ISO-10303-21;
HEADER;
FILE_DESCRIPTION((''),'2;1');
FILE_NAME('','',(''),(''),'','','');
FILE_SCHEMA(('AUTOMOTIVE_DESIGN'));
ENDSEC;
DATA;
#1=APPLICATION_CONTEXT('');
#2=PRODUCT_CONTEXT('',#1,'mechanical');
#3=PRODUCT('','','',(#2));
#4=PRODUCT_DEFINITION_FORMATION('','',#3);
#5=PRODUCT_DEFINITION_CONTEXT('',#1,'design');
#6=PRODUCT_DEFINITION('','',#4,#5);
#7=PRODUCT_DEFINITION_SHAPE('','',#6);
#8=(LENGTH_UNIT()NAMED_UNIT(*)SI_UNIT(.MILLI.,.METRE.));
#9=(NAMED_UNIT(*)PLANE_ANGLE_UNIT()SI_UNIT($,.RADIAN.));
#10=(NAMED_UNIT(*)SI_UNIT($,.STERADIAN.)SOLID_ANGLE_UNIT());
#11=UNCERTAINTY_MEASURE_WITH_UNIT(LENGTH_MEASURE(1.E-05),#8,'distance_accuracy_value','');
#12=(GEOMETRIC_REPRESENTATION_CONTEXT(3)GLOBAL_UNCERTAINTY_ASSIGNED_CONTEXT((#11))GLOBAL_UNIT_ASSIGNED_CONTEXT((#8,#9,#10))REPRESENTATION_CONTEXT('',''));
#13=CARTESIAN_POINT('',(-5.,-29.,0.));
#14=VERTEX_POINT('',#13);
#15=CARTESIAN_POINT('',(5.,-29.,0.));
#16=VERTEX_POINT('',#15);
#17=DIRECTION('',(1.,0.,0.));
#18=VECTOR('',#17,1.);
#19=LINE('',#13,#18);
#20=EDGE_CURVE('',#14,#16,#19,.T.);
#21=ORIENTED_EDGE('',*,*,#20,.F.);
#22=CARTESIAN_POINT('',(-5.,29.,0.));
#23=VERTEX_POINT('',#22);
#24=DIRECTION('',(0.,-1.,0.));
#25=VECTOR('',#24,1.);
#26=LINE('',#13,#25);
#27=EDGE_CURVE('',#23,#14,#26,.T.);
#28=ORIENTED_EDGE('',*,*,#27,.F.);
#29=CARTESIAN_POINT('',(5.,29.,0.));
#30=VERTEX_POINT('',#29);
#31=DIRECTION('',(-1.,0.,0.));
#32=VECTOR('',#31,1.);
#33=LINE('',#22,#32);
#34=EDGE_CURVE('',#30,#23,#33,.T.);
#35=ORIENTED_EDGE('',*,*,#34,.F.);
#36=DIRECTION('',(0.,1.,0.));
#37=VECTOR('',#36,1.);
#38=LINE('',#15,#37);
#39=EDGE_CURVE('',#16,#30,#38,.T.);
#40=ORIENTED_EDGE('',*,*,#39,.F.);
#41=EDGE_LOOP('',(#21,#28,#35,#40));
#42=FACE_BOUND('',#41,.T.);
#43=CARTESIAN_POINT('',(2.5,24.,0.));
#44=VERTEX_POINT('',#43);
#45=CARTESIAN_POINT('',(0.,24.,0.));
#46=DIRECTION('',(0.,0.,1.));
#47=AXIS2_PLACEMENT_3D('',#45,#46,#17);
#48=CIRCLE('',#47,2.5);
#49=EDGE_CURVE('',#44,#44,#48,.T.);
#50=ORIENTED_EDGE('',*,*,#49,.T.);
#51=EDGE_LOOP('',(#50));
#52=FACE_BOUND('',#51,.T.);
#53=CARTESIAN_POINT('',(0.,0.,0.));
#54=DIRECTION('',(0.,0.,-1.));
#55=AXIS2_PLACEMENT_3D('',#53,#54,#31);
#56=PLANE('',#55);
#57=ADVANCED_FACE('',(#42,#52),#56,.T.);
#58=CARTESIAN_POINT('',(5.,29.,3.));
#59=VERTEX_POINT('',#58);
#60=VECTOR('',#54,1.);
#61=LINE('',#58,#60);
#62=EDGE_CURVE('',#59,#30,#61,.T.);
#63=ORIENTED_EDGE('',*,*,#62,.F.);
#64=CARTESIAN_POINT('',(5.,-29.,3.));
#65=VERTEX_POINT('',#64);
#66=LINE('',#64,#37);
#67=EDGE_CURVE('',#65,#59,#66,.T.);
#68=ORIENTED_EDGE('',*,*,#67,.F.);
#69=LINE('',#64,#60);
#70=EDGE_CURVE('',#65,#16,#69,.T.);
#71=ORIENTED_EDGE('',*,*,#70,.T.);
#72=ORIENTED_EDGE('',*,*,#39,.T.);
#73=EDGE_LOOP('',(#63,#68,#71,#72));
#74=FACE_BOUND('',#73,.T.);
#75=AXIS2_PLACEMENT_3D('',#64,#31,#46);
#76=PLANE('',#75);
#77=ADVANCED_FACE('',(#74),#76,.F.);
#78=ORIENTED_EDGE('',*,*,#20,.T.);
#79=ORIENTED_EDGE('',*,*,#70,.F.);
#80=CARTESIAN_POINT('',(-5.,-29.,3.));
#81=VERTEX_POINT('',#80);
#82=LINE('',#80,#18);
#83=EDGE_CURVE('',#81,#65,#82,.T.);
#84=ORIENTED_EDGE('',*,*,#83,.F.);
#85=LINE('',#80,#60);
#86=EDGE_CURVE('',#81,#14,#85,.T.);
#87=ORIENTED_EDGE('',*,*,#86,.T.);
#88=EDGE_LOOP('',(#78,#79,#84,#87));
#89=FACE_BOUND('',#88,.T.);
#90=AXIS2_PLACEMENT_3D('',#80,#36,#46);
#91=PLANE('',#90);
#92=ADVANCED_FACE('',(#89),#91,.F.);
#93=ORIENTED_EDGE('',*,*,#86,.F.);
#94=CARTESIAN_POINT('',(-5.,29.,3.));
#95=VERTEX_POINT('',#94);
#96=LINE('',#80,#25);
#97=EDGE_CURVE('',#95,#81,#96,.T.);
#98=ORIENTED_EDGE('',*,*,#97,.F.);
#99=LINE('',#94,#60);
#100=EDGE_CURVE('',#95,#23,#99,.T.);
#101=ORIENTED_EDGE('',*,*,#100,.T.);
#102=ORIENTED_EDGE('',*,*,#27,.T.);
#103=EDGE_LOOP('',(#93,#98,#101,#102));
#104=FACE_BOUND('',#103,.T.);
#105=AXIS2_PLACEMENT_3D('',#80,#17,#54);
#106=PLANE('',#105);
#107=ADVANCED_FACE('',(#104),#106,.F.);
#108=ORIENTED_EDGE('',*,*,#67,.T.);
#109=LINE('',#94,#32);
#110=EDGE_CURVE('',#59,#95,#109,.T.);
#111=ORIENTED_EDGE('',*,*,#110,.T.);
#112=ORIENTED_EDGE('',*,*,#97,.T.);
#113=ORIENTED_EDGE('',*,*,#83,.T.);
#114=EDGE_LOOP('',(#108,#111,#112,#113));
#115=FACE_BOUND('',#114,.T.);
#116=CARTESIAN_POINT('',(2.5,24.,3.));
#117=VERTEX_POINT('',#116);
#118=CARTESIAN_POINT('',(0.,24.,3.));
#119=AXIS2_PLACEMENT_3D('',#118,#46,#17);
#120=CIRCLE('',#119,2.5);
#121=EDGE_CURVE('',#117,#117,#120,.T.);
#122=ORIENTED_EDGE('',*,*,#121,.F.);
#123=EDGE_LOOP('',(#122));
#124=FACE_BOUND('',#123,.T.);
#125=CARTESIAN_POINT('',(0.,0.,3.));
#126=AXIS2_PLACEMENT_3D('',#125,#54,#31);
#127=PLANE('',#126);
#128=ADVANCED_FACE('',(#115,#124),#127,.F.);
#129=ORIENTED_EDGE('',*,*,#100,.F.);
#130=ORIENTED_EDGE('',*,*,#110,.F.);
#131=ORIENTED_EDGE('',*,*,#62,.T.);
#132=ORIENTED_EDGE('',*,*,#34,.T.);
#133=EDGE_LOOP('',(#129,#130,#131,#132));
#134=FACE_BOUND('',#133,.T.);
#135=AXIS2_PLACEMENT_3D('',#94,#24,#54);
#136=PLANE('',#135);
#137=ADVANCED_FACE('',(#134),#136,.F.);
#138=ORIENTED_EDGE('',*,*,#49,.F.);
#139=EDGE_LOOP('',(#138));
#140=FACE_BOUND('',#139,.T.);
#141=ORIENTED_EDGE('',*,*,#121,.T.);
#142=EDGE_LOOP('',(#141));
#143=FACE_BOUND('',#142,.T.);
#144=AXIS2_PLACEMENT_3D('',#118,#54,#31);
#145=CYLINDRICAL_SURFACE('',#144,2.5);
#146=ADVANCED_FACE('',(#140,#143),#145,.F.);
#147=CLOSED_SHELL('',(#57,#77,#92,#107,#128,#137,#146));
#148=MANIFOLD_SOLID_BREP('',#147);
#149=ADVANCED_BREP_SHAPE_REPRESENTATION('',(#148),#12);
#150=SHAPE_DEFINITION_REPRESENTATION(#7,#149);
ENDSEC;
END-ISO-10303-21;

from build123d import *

# Parameters (mm, degrees)
SKETCH_1_W      = 10
SKETCH_1_H      = 58
SKETCH_1_R      = 2.5
EXTRUDE_1_DEPTH = 3


with BuildPart() as part:
    # 草圖1 → 填料-伸長1 (new body)
    with BuildSketch(Plane.XY):
        Rectangle(SKETCH_1_W, SKETCH_1_H)
        with Locations((0, 24)):
            Circle(SKETCH_1_R, mode=Mode.SUBTRACT)
    extrude(amount=EXTRUDE_1_DEPTH)


solid = part.part
